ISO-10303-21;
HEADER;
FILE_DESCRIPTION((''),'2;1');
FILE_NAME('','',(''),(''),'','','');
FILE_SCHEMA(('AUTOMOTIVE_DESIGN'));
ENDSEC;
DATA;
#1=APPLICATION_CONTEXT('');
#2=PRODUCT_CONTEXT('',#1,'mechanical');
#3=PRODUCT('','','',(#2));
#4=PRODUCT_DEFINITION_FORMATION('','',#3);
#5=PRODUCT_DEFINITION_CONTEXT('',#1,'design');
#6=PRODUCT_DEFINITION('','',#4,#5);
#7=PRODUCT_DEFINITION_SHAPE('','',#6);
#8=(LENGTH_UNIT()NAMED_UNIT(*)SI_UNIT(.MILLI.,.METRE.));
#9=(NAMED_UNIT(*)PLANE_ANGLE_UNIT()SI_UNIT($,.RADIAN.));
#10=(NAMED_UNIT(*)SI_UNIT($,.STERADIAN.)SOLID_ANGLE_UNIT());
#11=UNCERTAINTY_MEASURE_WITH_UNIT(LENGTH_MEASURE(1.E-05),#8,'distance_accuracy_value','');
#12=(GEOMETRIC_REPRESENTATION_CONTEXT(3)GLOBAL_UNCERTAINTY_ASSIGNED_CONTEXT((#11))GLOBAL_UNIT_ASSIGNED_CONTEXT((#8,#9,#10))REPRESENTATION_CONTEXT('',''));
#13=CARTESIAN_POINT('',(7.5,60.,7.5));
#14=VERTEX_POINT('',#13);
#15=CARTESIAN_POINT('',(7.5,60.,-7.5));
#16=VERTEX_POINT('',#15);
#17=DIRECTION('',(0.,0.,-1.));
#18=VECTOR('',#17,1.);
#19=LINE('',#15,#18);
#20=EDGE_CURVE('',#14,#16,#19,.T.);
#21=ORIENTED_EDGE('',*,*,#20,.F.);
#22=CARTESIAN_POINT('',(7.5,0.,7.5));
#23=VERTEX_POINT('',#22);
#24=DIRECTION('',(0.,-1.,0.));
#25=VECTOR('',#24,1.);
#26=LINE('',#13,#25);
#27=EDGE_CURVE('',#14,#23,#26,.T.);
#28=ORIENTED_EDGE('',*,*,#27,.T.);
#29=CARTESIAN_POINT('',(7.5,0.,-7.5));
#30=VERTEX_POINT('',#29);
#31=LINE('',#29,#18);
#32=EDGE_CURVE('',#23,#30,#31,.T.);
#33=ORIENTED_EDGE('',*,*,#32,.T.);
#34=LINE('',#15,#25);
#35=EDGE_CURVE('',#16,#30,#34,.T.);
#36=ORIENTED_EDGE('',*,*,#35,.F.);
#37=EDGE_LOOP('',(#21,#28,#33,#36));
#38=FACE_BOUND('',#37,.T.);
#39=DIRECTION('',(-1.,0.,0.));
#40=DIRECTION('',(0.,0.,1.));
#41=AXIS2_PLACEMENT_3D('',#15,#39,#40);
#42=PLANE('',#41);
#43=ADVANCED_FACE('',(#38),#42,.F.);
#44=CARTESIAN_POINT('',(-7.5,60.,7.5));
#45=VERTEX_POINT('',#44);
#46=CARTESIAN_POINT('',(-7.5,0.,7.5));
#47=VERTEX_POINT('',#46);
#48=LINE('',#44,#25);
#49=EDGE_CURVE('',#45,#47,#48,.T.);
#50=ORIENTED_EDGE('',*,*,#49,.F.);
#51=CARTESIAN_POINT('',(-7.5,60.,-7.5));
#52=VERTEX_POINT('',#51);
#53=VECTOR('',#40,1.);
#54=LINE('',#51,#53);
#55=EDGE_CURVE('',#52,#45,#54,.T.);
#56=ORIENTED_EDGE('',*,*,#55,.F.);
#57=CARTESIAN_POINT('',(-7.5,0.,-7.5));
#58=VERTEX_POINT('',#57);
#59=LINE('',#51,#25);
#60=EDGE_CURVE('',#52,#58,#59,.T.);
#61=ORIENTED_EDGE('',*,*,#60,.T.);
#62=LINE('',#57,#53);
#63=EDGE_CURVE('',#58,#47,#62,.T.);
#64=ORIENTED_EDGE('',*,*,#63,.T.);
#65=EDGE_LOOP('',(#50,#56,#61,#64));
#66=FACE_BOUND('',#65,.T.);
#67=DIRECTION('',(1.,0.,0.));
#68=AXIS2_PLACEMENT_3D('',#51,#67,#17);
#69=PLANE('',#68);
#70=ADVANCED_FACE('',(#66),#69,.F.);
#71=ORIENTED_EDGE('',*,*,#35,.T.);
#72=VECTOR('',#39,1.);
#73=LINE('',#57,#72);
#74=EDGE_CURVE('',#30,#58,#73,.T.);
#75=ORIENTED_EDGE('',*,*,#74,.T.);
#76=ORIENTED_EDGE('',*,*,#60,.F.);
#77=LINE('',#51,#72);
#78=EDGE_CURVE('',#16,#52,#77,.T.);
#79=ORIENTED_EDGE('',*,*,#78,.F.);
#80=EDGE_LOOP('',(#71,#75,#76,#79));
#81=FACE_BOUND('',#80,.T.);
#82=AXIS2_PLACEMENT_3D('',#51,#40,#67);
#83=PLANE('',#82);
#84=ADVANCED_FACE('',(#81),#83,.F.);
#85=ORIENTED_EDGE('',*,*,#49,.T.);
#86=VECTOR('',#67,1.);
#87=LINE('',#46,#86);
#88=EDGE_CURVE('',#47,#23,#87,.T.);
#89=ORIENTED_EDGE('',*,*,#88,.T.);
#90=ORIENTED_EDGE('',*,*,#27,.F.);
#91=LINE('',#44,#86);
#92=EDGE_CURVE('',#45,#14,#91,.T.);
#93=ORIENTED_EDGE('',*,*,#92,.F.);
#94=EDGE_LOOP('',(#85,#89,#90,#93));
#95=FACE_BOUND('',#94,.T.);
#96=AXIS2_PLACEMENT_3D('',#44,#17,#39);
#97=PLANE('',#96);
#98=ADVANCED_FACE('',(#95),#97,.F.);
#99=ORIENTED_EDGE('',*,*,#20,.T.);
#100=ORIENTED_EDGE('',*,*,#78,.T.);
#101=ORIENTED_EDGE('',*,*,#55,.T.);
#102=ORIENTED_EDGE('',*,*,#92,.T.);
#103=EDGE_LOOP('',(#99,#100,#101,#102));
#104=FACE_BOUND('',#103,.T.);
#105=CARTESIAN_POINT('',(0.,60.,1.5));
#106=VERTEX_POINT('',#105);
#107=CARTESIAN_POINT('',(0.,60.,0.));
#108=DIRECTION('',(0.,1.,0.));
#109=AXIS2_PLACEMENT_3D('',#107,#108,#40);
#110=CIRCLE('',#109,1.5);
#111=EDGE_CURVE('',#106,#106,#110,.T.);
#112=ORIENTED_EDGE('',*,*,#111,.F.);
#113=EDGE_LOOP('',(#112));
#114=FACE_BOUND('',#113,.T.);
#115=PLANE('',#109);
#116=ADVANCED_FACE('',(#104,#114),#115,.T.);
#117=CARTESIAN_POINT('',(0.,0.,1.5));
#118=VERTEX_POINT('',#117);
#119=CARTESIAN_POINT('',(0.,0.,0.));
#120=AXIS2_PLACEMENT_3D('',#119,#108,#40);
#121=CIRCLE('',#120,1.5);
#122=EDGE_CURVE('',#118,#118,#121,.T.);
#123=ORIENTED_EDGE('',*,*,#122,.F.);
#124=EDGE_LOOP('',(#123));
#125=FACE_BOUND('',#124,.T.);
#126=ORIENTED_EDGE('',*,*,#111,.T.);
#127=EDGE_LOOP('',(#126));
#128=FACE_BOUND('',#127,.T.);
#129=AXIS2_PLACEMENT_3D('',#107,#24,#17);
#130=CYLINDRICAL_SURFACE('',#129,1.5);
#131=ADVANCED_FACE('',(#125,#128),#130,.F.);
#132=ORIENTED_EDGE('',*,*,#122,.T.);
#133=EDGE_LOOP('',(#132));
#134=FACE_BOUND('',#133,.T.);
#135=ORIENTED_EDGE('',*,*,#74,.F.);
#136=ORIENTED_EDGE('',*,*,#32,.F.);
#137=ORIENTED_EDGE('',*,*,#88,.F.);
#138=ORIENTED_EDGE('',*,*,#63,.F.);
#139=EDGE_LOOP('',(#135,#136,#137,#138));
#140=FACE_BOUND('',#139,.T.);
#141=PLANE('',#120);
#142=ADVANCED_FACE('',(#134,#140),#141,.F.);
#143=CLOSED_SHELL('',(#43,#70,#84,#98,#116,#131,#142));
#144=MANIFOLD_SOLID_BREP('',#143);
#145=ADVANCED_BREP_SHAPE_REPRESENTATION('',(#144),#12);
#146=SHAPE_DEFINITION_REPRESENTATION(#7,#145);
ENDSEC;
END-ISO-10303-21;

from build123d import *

# Parameters (mm, degrees)
SKETCH1_W           = 15
SKETCH1_H           = 15
SKETCH1_R           = 1.5
BOSS_EXTRUDE1_DEPTH = 60


with BuildPart() as part:
    # Sketch1 → Boss-Extrude1 (new body)
    with BuildSketch(Plane(origin=(0, 0, 0), x_dir=(1, 0, 0), z_dir=(0, 1, 0))):
        Rectangle(SKETCH1_W, SKETCH1_H)
        Circle(SKETCH1_R, mode=Mode.SUBTRACT)
    extrude(amount=BOSS_EXTRUDE1_DEPTH)


solid = part.part
